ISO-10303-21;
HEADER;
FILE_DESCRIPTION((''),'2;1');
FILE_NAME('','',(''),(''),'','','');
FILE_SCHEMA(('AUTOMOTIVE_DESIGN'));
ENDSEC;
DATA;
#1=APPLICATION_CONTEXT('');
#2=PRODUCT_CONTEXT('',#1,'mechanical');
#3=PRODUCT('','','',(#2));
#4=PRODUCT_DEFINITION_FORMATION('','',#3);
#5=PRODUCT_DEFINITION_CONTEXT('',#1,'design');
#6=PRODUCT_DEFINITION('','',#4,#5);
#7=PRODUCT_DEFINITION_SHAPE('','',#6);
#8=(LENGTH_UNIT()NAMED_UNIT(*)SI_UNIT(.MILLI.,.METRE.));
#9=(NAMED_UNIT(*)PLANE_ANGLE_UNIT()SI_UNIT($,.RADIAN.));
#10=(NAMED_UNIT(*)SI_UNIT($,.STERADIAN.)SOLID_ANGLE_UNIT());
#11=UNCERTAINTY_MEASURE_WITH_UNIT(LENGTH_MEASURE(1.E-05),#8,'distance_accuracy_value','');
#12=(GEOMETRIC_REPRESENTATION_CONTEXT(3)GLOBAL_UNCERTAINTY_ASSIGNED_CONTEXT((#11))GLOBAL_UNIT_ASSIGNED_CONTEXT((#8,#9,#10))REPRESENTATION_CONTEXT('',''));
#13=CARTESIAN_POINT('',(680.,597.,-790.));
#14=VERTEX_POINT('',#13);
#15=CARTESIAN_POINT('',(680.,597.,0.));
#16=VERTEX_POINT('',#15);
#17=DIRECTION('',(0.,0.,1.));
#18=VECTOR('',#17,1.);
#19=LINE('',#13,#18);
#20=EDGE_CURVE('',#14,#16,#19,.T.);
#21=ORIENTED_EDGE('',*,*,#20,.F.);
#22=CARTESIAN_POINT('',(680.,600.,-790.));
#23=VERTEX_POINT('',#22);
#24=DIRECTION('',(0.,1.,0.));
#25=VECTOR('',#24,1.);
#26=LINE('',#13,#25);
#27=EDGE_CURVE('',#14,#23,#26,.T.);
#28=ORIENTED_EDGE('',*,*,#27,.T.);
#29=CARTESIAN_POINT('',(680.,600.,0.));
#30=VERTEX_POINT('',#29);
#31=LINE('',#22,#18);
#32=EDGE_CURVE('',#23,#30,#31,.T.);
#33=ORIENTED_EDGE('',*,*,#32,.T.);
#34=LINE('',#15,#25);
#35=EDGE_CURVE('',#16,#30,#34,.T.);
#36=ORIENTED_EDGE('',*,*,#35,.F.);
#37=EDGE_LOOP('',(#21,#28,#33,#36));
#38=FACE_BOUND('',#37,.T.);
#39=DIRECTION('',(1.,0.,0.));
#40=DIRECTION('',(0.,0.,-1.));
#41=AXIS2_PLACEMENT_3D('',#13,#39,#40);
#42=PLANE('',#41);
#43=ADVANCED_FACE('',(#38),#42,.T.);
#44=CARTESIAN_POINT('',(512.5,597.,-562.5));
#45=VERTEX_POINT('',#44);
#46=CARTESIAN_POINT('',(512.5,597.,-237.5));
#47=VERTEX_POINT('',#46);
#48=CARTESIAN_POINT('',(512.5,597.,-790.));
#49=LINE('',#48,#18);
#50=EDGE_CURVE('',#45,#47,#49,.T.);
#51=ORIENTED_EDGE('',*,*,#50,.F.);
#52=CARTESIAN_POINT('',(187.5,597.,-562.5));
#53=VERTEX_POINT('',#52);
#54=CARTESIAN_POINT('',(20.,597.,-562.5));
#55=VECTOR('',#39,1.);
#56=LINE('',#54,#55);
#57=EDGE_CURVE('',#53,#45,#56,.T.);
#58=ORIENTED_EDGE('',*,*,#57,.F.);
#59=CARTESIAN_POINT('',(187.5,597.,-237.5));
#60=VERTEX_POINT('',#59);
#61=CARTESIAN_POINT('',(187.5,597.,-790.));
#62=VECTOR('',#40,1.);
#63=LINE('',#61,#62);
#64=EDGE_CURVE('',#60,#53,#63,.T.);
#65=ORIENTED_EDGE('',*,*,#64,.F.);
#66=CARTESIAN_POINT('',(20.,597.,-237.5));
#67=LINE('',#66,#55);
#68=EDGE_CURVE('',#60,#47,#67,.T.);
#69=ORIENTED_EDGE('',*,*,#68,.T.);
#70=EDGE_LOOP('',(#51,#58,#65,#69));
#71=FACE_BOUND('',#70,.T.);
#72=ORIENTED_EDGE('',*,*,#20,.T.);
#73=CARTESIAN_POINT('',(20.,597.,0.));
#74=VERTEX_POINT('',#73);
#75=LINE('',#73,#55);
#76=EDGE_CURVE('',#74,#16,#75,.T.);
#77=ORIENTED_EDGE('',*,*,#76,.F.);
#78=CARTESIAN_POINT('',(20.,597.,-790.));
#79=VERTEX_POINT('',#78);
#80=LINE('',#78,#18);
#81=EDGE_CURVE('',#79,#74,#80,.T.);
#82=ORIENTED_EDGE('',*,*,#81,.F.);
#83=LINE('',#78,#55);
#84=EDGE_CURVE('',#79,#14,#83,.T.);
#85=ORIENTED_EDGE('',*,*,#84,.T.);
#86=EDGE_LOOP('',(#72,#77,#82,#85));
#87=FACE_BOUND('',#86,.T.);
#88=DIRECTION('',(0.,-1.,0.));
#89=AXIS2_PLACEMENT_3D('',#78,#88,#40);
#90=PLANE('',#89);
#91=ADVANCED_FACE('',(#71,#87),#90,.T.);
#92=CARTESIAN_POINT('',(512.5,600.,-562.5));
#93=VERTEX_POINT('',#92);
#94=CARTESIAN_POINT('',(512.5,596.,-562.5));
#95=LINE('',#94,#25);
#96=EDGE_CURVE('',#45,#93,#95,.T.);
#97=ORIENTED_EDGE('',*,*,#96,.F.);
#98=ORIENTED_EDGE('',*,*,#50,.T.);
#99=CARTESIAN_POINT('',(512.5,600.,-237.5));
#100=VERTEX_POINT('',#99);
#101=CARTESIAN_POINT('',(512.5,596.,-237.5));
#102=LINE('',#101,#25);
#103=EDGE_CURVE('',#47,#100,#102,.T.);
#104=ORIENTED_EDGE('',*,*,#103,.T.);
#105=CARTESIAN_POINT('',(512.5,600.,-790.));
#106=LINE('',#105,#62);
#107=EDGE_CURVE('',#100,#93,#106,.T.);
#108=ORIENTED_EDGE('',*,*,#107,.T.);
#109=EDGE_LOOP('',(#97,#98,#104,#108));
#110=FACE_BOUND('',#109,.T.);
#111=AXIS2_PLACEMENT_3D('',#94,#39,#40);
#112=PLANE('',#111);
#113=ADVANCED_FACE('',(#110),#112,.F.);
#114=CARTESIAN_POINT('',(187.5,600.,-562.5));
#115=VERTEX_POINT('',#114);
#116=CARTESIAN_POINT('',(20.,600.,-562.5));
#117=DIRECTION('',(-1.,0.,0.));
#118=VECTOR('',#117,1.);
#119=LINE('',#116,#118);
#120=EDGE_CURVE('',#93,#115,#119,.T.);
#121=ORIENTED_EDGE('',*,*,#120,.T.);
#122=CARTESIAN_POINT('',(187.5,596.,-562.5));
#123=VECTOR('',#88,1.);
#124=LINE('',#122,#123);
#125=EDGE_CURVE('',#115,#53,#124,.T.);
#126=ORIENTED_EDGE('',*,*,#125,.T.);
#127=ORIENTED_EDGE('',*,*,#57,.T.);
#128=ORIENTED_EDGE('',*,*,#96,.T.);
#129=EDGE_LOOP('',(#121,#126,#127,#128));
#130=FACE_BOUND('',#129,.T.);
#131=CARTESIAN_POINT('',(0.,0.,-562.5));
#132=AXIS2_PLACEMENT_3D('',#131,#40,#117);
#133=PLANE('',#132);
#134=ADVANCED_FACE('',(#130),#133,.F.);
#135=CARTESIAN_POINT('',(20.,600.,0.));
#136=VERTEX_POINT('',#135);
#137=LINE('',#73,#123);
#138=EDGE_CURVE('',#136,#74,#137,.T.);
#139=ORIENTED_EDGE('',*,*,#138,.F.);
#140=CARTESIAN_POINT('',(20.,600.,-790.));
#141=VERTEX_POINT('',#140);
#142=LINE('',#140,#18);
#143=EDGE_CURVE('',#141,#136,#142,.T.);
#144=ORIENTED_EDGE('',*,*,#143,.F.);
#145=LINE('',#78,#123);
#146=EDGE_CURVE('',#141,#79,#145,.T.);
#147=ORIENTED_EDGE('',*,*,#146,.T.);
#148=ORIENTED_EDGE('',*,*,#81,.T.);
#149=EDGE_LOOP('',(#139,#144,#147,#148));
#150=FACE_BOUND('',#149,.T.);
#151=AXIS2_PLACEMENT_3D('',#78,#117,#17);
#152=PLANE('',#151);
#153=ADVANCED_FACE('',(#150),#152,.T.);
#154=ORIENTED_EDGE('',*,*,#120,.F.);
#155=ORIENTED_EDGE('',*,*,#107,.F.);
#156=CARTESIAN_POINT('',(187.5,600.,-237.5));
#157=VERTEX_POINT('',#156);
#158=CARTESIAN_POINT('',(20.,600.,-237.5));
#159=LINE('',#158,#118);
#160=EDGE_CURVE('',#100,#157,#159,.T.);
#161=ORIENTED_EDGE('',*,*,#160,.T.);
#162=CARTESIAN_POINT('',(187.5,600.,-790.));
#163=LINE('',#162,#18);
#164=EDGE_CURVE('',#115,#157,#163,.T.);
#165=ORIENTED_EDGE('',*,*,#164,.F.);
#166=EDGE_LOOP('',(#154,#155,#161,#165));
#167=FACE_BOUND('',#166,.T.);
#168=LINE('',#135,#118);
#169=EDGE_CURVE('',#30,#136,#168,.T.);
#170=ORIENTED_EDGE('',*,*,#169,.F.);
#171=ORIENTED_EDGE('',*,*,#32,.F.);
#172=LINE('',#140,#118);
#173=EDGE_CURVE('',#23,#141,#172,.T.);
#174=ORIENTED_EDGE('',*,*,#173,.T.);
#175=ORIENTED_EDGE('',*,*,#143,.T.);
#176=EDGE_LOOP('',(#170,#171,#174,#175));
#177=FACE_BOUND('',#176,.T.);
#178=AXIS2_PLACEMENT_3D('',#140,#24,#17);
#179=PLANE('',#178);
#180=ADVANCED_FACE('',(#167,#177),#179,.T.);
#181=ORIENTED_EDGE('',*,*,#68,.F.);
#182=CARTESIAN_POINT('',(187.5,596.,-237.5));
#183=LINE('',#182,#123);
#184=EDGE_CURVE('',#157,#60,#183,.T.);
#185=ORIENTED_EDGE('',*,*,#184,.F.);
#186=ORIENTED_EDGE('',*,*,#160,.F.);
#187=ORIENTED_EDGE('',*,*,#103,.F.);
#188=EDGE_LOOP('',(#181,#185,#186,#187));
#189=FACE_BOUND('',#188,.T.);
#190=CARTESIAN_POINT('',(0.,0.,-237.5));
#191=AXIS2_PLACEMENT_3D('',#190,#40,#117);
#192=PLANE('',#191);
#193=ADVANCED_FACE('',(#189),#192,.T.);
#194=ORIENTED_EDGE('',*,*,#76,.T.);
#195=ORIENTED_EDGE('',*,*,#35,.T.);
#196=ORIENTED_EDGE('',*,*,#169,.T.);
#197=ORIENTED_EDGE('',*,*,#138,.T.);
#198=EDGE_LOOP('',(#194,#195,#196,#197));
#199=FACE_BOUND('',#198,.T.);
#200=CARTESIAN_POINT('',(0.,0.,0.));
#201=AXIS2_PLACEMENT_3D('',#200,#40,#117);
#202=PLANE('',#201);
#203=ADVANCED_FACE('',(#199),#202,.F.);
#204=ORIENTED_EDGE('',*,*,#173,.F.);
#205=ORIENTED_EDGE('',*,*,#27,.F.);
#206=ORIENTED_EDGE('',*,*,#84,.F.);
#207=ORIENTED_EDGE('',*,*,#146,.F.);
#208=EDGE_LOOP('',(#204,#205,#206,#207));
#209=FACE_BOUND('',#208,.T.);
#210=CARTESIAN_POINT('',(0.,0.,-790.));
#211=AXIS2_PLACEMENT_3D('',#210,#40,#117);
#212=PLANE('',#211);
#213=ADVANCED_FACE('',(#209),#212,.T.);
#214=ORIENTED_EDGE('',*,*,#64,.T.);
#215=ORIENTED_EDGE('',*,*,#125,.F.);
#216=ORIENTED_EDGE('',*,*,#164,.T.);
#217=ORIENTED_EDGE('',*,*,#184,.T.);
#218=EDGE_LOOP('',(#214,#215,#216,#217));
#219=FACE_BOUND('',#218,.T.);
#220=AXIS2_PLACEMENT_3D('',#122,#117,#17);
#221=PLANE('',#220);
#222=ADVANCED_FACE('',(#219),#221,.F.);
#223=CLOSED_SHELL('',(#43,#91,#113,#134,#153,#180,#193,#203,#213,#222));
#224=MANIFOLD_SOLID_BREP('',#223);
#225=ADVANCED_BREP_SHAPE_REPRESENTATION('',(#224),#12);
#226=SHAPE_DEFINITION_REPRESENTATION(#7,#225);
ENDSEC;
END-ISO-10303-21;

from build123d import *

# Parameters (mm, degrees)
SKETCH1_W                            = 660
SKETCH1_H                            = 3
PACK_KALIP_PLAKASI_3MM_66X79_1_DEPTH = 790
PACK_KALIP_PLAKASI_3MM_66X79_2_START = -237.5
SKETCH2_W                            = 325
SKETCH2_H                            = 5
PACK_KALIP_PLAKASI_3MM_66X79_2_DEPTH = 325


with BuildPart() as part:
    # Sketch1 → PACK_kalip_plakasi_3mm_66x79_1 (new body)
    with BuildSketch(Plane.XY):
        with Locations((350, 598.5)):
            Rectangle(SKETCH1_W, SKETCH1_H)
    extrude(amount=-PACK_KALIP_PLAKASI_3MM_66X79_1_DEPTH)

    # Sketch2 → PACK_kalip_plakasi_3mm_66x79_2 (cut)
    with BuildSketch(Plane.XY.offset(PACK_KALIP_PLAKASI_3MM_66X79_2_START)):
        with Locations((350, 598.5)):
            Rectangle(SKETCH2_W, SKETCH2_H)
    extrude(amount=-PACK_KALIP_PLAKASI_3MM_66X79_2_DEPTH, mode=Mode.SUBTRACT)


solid = part.part
